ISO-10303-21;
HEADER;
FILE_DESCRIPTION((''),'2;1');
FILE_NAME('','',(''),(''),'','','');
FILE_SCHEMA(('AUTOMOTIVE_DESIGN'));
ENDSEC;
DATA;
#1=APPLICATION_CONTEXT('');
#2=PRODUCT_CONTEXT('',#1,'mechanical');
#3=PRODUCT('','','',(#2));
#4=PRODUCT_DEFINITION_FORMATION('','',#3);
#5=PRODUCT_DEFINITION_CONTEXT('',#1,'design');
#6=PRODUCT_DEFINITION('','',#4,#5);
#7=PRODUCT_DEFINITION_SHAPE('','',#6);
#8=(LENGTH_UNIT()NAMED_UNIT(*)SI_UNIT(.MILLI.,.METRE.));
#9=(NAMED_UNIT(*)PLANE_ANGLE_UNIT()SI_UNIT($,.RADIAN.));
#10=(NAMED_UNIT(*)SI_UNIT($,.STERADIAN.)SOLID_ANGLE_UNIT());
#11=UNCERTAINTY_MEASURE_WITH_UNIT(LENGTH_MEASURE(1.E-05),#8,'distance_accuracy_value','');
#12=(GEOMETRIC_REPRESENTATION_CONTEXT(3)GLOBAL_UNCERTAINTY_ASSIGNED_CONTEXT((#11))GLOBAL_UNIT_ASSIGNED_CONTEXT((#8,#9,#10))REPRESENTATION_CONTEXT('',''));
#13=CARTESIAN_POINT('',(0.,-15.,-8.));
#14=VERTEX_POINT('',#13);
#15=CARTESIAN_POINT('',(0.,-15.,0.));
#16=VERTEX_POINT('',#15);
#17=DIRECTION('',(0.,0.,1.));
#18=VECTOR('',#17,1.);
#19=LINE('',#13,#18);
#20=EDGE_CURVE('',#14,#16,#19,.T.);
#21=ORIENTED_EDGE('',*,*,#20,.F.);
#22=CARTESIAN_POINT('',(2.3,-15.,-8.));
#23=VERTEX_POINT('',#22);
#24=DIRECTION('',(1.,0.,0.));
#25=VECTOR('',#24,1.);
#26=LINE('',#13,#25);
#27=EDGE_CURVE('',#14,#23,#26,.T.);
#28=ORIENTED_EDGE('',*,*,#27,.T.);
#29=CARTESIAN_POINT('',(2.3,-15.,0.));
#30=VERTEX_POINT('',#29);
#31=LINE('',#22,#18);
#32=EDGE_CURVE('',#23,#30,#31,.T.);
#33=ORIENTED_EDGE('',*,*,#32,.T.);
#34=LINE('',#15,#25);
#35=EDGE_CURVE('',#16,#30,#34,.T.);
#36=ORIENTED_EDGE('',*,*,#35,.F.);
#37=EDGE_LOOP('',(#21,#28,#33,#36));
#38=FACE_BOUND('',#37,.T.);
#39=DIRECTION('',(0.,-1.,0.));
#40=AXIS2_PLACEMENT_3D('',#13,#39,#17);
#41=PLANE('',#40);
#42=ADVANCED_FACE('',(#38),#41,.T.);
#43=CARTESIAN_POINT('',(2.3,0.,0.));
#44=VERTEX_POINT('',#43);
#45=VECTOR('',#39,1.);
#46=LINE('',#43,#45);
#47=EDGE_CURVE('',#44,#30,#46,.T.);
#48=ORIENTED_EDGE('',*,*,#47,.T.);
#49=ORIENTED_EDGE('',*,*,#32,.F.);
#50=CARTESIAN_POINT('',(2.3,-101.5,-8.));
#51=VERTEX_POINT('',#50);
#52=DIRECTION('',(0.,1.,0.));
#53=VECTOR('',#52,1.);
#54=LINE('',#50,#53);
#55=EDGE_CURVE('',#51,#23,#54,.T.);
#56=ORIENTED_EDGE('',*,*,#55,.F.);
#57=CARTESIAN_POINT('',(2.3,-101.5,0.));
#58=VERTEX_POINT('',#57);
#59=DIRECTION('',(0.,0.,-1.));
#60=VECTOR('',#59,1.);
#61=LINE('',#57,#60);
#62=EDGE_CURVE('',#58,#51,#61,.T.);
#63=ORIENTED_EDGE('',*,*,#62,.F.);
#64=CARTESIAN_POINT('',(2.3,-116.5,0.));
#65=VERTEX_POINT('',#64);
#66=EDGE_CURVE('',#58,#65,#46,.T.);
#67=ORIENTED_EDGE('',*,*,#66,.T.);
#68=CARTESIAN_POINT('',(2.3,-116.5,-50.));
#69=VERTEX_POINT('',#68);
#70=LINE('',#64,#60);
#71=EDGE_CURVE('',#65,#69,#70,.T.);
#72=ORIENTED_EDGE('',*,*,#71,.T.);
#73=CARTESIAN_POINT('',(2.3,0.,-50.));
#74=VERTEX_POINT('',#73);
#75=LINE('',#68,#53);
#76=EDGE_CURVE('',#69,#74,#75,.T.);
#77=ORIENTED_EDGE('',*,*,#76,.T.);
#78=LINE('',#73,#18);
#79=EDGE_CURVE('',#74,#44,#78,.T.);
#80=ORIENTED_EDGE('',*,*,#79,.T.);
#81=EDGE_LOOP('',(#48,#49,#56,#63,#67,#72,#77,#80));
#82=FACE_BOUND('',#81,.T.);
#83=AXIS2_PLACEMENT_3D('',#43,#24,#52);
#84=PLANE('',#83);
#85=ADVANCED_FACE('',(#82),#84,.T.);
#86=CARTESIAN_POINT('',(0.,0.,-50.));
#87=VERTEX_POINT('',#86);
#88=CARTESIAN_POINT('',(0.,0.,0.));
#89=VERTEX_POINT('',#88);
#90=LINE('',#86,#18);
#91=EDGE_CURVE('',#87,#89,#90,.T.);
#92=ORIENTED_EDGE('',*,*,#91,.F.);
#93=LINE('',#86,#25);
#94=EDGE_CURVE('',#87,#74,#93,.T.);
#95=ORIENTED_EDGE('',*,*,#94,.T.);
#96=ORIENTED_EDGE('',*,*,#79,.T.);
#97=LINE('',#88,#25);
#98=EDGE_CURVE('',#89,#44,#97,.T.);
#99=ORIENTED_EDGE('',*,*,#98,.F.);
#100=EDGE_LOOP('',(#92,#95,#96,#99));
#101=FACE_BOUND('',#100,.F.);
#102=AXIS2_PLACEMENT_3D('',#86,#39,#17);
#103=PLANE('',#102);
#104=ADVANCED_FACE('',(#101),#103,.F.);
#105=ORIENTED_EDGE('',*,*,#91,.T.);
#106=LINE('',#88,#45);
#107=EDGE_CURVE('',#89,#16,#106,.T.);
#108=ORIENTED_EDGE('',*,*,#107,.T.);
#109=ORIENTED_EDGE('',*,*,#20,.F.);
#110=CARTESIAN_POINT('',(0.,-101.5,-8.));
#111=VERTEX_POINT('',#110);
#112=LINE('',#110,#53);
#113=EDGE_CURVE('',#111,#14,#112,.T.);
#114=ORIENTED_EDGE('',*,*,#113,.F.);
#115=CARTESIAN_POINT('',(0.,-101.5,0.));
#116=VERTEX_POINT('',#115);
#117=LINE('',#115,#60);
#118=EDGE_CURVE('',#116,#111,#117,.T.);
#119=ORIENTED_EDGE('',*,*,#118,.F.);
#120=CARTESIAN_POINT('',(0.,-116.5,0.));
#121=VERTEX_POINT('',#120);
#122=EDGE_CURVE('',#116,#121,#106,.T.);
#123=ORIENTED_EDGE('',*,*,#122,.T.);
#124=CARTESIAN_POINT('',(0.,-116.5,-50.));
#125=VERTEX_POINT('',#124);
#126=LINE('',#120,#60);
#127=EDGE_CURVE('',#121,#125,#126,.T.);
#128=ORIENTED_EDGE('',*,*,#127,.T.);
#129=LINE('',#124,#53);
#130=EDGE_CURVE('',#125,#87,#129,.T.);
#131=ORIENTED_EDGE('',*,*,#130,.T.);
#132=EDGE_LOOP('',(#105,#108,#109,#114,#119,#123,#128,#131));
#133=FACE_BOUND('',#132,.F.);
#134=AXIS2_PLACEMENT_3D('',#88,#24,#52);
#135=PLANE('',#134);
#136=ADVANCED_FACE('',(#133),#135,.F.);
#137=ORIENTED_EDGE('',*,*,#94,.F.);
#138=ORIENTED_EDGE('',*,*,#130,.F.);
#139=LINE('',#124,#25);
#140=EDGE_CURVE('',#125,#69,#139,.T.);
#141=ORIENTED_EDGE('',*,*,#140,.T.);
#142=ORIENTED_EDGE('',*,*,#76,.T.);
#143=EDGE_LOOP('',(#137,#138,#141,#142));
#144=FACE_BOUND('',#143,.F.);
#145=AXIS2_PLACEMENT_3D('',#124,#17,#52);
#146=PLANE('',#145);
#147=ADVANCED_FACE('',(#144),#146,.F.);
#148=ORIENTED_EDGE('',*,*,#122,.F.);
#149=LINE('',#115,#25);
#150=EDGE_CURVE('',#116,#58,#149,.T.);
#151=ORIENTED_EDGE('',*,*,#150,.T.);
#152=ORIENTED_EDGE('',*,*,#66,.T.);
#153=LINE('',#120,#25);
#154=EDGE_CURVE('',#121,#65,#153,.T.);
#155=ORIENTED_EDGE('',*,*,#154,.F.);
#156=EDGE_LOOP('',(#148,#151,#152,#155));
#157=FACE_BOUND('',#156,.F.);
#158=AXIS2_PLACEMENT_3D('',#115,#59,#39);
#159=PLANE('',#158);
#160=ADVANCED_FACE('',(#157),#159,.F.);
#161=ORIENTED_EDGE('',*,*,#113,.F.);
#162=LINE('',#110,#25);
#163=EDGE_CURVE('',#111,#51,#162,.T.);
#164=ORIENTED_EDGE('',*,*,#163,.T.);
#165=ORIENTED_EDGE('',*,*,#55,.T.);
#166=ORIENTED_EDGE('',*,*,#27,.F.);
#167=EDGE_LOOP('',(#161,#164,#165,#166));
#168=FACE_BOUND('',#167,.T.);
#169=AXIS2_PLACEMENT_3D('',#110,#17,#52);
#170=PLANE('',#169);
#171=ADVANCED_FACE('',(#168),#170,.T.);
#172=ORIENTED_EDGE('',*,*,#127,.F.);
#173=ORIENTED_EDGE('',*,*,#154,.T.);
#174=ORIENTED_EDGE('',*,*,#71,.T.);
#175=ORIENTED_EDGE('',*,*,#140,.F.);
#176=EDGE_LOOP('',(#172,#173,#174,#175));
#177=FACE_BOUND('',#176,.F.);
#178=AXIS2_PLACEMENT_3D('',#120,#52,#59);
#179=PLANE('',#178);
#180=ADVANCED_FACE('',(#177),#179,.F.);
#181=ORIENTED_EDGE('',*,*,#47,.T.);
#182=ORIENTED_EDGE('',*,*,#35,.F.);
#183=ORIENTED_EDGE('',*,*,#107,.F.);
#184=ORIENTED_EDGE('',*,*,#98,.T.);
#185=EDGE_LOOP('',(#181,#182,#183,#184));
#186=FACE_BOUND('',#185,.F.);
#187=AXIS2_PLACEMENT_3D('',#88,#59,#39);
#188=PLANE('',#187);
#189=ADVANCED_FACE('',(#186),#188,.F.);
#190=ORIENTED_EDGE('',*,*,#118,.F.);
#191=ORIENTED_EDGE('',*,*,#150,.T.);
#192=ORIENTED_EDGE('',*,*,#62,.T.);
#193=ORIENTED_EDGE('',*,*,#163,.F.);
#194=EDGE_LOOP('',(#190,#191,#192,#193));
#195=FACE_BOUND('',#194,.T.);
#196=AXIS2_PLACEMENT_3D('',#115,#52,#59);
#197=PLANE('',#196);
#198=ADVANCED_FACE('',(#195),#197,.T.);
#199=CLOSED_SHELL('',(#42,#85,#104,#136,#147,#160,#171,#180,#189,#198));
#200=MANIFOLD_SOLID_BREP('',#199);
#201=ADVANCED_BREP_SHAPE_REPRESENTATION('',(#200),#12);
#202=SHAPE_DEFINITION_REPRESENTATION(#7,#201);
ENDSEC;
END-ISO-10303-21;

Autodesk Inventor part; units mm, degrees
ref_plane "YZ Plane" through (0, 0, 0) normal (1, 0, 0) x (0, 1, 0)
ref_plane "XZ Plane" through (0, 0, 0) normal (0, 1, 0) x (-1, 0, 0)
ref_plane "XY Plane" through (0, 0, 0) normal (0, 0, 1) x (1, 0, 0)
sketch "Sketch1" plane through (0, 0, 0) normal (1, 0, 0) x (0, 1, 0)
  line L0 (0, 0) -> (-116.5, 0)
  line L1 (-116.5, 0) -> (-116.5, -50)
  line L2 (-116.5, -50) -> (0, -50)
  line L3 (0, -50) -> (0, 0)
  line L4 (-15, 0) -> (-101.5, 0)
  line L5 (-101.5, 0) -> (-101.5, -8)
  line L6 (-101.5, -8) -> (-15, -8)
  line L7 (-15, -8) -> (-15, 0)
  dimension "d0" = 116.5
  dimension "d1" = 50
  dimension "d4" = 8
  dimension "d5" = 15
  dimension "d6" = 15
extrude "Extrusion2" add sketch "Sketch1" along normal blind 2.3 contours L3 L2 L1 L0 L5 L6 L7
properties part number "upper insert"
